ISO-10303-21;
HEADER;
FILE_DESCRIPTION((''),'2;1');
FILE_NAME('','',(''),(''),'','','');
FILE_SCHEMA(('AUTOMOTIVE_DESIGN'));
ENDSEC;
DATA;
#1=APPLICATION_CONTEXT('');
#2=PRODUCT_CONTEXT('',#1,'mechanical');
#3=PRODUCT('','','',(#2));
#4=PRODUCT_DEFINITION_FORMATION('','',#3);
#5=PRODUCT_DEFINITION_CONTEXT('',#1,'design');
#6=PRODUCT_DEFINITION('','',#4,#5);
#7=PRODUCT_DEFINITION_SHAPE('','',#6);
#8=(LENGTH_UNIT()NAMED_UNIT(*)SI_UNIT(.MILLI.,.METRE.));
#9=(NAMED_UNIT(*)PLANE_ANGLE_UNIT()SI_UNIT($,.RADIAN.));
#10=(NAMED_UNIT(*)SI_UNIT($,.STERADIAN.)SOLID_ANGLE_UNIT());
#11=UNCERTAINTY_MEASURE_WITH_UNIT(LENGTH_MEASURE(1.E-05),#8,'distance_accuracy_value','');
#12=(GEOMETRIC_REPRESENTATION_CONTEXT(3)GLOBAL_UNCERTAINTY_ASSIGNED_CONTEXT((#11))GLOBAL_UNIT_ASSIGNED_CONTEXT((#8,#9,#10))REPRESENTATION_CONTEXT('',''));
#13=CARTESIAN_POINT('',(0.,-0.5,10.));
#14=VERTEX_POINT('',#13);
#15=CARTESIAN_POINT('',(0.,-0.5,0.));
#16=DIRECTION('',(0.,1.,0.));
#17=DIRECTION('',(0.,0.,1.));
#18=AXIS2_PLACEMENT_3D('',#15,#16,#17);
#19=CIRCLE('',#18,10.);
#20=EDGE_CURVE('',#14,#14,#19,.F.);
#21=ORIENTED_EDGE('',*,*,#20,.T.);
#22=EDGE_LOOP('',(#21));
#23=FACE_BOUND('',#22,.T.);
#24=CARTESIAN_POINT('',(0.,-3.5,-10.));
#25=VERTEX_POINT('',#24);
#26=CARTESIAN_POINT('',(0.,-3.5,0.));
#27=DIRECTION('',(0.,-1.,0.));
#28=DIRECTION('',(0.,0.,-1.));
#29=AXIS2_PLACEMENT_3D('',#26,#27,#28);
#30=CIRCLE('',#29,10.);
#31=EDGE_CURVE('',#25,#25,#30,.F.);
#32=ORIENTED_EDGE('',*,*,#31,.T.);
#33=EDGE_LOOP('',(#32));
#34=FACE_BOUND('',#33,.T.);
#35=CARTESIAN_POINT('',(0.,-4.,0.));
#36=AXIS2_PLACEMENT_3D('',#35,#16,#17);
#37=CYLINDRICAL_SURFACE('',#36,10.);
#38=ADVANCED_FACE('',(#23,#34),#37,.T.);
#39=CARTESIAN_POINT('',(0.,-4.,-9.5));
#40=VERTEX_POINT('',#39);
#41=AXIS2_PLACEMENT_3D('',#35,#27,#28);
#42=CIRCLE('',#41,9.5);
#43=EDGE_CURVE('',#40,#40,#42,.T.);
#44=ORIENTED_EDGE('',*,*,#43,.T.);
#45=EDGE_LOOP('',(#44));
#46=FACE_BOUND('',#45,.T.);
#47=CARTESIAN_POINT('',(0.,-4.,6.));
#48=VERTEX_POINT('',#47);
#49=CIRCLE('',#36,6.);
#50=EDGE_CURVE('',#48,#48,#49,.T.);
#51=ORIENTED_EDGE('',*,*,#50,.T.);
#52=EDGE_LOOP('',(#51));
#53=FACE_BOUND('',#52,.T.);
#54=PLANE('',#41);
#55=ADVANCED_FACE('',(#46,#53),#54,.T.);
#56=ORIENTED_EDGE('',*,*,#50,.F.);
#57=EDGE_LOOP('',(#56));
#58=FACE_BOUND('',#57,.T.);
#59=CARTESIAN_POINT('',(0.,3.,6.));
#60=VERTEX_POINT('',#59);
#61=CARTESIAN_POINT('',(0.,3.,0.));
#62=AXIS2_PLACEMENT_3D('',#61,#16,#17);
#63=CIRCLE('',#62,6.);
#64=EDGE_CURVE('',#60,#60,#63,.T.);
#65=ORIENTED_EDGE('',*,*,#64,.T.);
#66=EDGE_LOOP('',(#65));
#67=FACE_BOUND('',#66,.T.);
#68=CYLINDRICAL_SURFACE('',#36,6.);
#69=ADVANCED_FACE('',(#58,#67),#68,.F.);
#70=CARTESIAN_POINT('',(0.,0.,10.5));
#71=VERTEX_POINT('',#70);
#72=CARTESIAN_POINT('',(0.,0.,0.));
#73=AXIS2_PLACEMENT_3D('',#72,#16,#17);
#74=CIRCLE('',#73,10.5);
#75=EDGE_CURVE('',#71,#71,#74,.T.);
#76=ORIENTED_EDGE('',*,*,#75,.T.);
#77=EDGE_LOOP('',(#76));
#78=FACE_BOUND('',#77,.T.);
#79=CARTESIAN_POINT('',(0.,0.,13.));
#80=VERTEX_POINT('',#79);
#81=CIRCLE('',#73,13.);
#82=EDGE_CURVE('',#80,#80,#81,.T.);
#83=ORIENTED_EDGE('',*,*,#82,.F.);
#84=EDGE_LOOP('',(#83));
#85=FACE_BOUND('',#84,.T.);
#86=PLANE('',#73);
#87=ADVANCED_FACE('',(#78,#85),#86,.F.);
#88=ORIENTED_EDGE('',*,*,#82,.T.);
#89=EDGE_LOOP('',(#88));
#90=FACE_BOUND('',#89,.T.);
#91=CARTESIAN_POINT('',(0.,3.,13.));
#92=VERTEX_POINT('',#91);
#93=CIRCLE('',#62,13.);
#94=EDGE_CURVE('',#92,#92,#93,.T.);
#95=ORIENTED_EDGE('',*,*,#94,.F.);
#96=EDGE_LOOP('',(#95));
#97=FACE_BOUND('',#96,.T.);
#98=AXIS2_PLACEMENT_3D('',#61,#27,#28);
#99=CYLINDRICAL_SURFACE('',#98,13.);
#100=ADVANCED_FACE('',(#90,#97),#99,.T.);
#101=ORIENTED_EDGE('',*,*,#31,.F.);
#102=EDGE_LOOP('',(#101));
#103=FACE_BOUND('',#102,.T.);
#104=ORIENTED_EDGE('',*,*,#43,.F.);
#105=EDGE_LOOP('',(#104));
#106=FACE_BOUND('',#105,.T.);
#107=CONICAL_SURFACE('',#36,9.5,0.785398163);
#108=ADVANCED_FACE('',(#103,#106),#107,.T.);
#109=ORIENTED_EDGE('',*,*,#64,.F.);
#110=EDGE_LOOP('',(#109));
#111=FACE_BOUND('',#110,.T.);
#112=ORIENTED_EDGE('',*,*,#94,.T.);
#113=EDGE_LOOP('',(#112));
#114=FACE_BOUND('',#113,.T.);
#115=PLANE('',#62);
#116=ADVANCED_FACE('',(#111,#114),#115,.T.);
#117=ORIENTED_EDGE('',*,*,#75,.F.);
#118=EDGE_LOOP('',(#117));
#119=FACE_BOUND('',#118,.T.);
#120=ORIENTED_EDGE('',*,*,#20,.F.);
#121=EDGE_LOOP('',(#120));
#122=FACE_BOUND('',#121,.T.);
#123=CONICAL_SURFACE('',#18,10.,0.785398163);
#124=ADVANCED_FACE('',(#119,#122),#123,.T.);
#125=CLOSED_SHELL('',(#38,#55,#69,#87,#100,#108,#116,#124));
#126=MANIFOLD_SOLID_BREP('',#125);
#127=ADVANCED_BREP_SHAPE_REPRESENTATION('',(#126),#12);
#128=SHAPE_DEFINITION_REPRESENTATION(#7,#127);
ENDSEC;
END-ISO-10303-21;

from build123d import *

# Parameters (mm, degrees)
SKETCH1_R           = 13
BOSS_EXTRUDE1_DEPTH = 3
SKETCH2_R           = 10
BOSS_EXTRUDE2_DEPTH = 4
CHAMFER1_SIZE       = 0.5
SKETCH3_R           = 6
CUT_EXTRUDE1_DEPTH  = 20.672315573


with BuildPart() as part:
    # Sketch1 → Boss-Extrude1 (new body)
    with BuildSketch(Plane(origin=(0, 0, 0), x_dir=(1, 0, 0), z_dir=(0, 1, 0))):
        with Locations(Location((0, 0, 0), (0, 0, 270))):
            Circle(SKETCH1_R)
    extrude(amount=BOSS_EXTRUDE1_DEPTH)

    # Sketch2 → Boss-Extrude2 (add)
    with BuildSketch(Plane.XZ):
        with Locations(Location((0, 0, 0), (0, 0, 270))):
            Circle(SKETCH2_R)
    extrude(amount=BOSS_EXTRUDE2_DEPTH)

    # Chamfer1
    chamfer1_edges = [part.edges().sort_by_distance(p)[0] for p in [
        (0, 0, 10),
        (0, -4, 10),
    ]]
    chamfer(chamfer1_edges, length=CHAMFER1_SIZE)

    # Sketch3 → Cut-Extrude1 (cut, through all)
    with BuildSketch(Plane(origin=(0, 3, 0), x_dir=(1, 0, 0), z_dir=(0, 1, 0))):
        with Locations(Location((0, 0, 0), (0, 0, 270))):
            Circle(SKETCH3_R)
    extrude(amount=-CUT_EXTRUDE1_DEPTH, mode=Mode.SUBTRACT)


solid = part.part
